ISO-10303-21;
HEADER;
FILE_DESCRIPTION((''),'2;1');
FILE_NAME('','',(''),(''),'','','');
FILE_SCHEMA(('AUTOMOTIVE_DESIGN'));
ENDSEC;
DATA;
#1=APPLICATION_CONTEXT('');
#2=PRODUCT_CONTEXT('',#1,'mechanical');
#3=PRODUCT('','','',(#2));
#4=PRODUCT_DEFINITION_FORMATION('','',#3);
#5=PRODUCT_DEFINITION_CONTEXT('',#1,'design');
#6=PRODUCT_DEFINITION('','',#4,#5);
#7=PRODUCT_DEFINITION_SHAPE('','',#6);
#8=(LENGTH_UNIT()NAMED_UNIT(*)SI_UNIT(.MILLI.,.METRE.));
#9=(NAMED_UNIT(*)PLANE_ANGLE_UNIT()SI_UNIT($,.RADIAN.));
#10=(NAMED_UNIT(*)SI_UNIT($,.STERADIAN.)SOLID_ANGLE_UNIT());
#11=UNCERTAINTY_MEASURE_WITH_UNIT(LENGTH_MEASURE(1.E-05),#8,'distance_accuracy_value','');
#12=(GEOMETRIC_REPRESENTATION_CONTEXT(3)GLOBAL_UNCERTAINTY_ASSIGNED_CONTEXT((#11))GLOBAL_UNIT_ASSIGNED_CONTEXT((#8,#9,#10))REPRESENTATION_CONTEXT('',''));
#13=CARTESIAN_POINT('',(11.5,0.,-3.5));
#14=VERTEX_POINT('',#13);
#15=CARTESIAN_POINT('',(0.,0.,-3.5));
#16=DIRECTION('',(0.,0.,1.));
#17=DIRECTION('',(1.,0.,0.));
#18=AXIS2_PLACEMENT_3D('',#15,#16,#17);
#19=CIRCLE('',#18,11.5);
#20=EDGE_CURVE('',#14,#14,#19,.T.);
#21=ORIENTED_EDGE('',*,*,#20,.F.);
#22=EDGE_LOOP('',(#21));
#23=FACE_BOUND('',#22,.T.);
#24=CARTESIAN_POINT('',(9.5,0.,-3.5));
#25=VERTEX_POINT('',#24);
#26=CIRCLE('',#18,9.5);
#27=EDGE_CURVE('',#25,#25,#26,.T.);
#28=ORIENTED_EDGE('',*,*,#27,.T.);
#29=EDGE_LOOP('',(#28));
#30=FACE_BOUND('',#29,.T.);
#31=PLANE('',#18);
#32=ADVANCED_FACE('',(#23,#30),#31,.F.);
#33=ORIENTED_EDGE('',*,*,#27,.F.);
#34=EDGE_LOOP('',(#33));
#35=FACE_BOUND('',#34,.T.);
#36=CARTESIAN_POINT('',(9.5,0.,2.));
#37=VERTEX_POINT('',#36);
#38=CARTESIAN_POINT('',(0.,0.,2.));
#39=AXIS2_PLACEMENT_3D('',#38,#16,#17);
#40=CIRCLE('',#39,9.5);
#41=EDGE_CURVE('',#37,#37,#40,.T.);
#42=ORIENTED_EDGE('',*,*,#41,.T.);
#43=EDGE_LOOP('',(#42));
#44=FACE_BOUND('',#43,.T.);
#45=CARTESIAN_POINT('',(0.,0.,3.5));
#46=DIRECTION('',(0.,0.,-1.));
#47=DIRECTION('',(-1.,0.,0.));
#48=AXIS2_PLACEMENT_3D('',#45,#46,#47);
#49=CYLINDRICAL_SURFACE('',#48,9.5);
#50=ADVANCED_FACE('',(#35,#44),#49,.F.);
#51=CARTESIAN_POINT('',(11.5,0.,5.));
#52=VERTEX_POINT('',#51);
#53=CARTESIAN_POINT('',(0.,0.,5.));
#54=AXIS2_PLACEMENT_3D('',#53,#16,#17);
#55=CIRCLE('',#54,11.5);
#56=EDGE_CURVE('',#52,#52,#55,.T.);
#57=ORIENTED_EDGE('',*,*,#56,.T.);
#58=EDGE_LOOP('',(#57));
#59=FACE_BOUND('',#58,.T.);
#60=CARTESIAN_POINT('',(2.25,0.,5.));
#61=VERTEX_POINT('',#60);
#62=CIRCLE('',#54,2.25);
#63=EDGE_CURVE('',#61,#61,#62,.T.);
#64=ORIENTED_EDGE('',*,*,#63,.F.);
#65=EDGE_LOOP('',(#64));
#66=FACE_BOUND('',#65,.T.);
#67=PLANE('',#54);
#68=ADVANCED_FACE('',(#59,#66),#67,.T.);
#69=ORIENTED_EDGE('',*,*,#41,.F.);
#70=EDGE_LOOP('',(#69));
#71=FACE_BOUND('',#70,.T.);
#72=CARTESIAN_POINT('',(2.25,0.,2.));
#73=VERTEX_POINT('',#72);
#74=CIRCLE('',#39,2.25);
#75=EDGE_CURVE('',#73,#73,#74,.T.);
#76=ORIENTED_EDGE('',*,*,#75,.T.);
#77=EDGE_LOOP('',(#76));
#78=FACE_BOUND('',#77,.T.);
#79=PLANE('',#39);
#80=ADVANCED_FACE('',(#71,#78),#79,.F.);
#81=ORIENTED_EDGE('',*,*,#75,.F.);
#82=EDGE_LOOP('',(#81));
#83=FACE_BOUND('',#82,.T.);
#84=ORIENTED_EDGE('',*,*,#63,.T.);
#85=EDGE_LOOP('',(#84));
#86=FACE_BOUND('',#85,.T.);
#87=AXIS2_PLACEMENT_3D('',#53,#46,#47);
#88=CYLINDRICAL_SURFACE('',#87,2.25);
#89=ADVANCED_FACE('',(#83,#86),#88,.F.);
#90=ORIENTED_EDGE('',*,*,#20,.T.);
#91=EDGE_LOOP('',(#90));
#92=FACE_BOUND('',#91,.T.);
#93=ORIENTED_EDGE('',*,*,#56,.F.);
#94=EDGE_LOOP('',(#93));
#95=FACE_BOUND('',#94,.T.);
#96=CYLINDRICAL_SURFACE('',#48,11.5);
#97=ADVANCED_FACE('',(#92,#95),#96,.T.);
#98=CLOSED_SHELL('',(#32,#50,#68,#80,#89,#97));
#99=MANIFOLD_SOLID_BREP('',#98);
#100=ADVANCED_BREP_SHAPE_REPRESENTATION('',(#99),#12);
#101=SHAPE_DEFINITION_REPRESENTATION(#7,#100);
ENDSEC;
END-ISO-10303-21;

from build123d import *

# Parameters (mm, degrees)
SKETCH1_R           = 11.5
SKETCH1_R_2         = 9.5
BOSS_EXTRUDE1_DEPTH = 3.5
SKETCH2_R           = 11.5
SKETCH2_R_2         = 2.25
BOSS_EXTRUDE2_DEPTH = 1.5


with BuildPart() as part:
    # Sketch1 → Boss-Extrude1 (new, symmetric)
    with BuildSketch(Plane.XY):
        Circle(SKETCH1_R)
        Circle(SKETCH1_R_2, mode=Mode.SUBTRACT)
    extrude(amount=BOSS_EXTRUDE1_DEPTH, both=True)

    # Sketch2 → Boss-Extrude2 (add, symmetric)
    with BuildSketch(Plane.XY.offset(3.5)):
        Circle(SKETCH2_R)
        Circle(SKETCH2_R_2, mode=Mode.SUBTRACT)
    extrude(amount=BOSS_EXTRUDE2_DEPTH, both=True)


solid = part.part
